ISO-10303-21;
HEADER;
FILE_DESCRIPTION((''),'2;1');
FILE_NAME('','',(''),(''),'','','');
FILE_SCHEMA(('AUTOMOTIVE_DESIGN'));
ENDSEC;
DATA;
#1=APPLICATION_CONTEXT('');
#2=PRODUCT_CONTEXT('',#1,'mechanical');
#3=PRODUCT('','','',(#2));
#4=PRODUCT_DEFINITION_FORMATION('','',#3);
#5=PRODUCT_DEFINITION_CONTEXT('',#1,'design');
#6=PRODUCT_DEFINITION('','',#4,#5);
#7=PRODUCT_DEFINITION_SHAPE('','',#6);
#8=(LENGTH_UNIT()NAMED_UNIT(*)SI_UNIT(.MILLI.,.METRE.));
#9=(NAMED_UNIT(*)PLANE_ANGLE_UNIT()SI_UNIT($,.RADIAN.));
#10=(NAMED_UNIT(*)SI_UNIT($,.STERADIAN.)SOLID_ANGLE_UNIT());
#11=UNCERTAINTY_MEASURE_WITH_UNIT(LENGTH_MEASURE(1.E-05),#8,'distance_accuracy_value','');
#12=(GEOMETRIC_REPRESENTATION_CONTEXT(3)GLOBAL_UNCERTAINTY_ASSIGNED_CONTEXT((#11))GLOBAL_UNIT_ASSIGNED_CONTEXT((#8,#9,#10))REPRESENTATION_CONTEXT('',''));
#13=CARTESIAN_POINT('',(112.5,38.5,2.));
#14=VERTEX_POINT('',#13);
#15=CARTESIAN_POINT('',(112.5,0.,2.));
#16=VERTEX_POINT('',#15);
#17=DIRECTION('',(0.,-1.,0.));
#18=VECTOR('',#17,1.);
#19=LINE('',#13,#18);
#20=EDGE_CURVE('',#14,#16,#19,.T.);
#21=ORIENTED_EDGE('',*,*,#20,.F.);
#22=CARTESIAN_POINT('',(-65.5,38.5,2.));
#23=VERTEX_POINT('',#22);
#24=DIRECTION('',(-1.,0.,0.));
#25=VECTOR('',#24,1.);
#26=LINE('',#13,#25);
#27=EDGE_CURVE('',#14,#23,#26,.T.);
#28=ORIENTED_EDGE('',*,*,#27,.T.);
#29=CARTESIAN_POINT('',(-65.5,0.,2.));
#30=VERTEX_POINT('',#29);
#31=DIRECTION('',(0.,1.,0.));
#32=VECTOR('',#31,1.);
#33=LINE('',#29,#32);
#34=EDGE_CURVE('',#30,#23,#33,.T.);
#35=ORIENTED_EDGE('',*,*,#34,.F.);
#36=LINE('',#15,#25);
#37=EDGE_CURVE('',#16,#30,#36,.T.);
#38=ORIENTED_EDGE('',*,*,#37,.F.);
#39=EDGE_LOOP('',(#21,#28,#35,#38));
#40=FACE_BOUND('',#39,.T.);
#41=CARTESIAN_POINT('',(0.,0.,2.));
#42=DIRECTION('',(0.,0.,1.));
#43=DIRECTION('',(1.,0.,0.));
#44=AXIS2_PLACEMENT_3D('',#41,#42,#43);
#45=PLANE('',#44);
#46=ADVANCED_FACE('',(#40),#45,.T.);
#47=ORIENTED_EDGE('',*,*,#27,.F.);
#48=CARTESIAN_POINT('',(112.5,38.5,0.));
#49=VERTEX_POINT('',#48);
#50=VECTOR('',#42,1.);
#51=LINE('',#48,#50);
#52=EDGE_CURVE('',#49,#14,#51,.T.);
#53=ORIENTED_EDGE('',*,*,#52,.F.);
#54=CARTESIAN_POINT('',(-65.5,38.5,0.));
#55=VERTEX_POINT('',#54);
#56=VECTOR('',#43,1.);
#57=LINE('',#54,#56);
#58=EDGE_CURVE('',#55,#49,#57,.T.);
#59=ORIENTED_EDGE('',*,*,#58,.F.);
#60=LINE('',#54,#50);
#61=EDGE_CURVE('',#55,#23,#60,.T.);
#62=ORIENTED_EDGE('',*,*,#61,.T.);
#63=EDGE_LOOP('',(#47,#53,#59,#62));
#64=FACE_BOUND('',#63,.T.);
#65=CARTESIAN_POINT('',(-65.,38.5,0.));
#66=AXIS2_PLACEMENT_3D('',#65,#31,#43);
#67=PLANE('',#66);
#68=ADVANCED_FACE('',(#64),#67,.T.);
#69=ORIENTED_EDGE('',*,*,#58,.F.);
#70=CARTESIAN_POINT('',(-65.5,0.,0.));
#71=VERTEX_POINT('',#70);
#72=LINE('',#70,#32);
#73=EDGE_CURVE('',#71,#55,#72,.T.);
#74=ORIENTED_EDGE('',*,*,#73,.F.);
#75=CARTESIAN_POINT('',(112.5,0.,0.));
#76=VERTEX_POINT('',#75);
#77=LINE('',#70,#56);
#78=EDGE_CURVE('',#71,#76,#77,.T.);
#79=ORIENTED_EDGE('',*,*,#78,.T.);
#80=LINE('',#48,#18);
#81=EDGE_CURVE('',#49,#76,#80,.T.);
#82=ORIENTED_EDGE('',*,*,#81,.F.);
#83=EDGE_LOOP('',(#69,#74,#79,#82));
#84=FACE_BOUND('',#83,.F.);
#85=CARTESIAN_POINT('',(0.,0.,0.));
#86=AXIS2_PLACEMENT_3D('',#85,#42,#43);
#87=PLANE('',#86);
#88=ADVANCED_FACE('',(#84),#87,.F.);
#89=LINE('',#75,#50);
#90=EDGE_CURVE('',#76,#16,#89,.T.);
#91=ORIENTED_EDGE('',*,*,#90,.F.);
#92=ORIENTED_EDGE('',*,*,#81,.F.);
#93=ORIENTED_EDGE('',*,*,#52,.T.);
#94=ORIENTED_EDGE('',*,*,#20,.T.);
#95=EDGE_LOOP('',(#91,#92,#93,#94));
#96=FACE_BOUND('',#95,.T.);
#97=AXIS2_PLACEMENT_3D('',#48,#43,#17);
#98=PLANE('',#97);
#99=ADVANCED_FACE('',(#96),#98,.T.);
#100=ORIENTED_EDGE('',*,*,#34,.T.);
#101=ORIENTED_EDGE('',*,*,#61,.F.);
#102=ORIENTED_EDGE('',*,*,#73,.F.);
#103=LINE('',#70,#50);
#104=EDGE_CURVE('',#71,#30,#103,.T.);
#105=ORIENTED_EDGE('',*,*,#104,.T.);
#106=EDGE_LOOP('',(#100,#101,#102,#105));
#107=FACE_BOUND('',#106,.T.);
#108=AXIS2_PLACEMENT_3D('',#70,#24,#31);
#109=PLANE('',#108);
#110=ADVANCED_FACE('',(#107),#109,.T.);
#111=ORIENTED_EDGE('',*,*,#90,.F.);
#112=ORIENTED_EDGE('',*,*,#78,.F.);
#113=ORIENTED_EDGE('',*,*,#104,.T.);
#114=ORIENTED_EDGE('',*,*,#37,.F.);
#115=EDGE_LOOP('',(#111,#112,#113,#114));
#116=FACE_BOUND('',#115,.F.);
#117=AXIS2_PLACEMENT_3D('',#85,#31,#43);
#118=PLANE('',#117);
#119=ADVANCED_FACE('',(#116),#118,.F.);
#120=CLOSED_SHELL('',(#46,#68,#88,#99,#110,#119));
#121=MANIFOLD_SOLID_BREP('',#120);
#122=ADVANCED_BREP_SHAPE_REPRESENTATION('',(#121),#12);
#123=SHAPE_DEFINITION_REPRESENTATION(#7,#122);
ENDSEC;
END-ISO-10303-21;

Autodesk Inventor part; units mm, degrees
ref_plane "YZ Plane" through (0, 0, 0) normal (1, 0, 0) x (0, 1, 0)
ref_plane "XZ Plane" through (0, 0, 0) normal (0, 1, 0) x (-1, 0, 0)
ref_plane "XY Plane" through (0, 0, 0) normal (0, 0, 1) x (1, 0, 0)
ref_plane "Work Plane1" through (0, 0, 0) normal (0, 0, 1) x (1, 0, 0)
sketch "Sketch1" plane through (0, 0, 0) normal (0, 0, 1) x (1, 0, 0)
  line L0 (0, 0) -> (47, 0) projected
  line L1 (47, 0) -> (47, 3) projected
  line L2 (0, 3) -> (47, 3) projected
  line L3 (0, 0) -> (0, 3) projected
  line L4 (-65.5, 38.5) -> (112.5, 38.5)
  line L5 (112.5, 38.5) -> (112.5, 0)
  line L6 (112.5, 0) -> (-65.5, 0)
  line L7 (-65.5, 0) -> (-65.5, 38.5)
  line L8 (-65, -11.5) -> (-65, 38.5) projected
  point P0 (23.5, 0)
  dimension "d0" = 178
  dimension "d1" = 89
  dimension "d2" = 89
  dimension "d3" = 0
extrude "Extrusion1" add sketch "Sketch1" along normal blind 2
equation "\"d1\" = d2"
properties part number "back"
